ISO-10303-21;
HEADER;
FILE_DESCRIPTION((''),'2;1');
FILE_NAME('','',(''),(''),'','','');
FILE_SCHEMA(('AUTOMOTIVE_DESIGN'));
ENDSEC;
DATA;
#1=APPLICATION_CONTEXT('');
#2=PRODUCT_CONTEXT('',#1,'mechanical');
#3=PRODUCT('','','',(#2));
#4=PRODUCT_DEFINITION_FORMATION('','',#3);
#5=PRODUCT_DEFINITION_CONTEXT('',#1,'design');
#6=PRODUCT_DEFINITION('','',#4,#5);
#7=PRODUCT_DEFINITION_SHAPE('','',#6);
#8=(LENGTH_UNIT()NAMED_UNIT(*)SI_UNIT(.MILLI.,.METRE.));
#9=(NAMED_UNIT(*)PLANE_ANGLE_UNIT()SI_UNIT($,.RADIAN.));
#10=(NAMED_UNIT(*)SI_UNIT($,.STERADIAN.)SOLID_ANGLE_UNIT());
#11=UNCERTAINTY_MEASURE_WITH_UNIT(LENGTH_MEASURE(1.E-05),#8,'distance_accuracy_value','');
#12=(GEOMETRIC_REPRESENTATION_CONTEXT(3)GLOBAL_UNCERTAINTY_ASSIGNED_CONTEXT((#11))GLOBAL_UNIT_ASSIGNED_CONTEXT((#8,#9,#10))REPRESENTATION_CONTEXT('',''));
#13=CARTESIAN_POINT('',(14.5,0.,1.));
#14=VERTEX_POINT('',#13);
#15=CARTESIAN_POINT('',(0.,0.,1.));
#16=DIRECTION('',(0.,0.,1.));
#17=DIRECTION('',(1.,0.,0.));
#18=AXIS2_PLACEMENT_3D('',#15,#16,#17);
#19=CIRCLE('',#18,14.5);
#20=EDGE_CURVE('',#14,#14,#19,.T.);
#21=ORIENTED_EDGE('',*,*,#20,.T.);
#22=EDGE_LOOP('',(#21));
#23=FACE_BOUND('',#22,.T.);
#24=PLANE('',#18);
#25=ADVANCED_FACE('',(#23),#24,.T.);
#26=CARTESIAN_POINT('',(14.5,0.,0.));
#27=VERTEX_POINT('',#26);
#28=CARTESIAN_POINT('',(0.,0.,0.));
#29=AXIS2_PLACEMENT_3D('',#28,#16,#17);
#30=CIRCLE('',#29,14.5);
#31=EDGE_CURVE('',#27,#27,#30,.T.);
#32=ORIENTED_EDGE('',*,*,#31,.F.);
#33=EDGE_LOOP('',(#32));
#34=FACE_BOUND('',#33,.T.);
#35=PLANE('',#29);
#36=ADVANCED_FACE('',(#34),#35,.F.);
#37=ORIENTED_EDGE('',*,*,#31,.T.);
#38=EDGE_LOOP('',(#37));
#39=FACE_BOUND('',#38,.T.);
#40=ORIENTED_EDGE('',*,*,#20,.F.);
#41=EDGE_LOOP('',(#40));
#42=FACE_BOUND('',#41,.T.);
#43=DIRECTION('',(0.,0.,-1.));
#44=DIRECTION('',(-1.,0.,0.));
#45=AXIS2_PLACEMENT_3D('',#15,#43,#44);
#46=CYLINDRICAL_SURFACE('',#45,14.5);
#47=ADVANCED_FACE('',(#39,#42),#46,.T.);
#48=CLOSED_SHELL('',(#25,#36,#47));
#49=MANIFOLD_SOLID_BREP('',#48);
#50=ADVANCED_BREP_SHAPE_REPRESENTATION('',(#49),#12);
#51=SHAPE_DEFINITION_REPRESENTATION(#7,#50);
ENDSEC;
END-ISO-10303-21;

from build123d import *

# Parameters (mm, degrees)
SKETCH_1_R      = 14.5
EXTRUDE_2_DEPTH = 1


with BuildPart() as part:
    # ｽｹｯﾁ1 → ﾎﾞｽ - 押し出し2 (new body)
    with BuildSketch(Plane.XY):
        Circle(SKETCH_1_R)
    extrude(amount=EXTRUDE_2_DEPTH)


solid = part.part
